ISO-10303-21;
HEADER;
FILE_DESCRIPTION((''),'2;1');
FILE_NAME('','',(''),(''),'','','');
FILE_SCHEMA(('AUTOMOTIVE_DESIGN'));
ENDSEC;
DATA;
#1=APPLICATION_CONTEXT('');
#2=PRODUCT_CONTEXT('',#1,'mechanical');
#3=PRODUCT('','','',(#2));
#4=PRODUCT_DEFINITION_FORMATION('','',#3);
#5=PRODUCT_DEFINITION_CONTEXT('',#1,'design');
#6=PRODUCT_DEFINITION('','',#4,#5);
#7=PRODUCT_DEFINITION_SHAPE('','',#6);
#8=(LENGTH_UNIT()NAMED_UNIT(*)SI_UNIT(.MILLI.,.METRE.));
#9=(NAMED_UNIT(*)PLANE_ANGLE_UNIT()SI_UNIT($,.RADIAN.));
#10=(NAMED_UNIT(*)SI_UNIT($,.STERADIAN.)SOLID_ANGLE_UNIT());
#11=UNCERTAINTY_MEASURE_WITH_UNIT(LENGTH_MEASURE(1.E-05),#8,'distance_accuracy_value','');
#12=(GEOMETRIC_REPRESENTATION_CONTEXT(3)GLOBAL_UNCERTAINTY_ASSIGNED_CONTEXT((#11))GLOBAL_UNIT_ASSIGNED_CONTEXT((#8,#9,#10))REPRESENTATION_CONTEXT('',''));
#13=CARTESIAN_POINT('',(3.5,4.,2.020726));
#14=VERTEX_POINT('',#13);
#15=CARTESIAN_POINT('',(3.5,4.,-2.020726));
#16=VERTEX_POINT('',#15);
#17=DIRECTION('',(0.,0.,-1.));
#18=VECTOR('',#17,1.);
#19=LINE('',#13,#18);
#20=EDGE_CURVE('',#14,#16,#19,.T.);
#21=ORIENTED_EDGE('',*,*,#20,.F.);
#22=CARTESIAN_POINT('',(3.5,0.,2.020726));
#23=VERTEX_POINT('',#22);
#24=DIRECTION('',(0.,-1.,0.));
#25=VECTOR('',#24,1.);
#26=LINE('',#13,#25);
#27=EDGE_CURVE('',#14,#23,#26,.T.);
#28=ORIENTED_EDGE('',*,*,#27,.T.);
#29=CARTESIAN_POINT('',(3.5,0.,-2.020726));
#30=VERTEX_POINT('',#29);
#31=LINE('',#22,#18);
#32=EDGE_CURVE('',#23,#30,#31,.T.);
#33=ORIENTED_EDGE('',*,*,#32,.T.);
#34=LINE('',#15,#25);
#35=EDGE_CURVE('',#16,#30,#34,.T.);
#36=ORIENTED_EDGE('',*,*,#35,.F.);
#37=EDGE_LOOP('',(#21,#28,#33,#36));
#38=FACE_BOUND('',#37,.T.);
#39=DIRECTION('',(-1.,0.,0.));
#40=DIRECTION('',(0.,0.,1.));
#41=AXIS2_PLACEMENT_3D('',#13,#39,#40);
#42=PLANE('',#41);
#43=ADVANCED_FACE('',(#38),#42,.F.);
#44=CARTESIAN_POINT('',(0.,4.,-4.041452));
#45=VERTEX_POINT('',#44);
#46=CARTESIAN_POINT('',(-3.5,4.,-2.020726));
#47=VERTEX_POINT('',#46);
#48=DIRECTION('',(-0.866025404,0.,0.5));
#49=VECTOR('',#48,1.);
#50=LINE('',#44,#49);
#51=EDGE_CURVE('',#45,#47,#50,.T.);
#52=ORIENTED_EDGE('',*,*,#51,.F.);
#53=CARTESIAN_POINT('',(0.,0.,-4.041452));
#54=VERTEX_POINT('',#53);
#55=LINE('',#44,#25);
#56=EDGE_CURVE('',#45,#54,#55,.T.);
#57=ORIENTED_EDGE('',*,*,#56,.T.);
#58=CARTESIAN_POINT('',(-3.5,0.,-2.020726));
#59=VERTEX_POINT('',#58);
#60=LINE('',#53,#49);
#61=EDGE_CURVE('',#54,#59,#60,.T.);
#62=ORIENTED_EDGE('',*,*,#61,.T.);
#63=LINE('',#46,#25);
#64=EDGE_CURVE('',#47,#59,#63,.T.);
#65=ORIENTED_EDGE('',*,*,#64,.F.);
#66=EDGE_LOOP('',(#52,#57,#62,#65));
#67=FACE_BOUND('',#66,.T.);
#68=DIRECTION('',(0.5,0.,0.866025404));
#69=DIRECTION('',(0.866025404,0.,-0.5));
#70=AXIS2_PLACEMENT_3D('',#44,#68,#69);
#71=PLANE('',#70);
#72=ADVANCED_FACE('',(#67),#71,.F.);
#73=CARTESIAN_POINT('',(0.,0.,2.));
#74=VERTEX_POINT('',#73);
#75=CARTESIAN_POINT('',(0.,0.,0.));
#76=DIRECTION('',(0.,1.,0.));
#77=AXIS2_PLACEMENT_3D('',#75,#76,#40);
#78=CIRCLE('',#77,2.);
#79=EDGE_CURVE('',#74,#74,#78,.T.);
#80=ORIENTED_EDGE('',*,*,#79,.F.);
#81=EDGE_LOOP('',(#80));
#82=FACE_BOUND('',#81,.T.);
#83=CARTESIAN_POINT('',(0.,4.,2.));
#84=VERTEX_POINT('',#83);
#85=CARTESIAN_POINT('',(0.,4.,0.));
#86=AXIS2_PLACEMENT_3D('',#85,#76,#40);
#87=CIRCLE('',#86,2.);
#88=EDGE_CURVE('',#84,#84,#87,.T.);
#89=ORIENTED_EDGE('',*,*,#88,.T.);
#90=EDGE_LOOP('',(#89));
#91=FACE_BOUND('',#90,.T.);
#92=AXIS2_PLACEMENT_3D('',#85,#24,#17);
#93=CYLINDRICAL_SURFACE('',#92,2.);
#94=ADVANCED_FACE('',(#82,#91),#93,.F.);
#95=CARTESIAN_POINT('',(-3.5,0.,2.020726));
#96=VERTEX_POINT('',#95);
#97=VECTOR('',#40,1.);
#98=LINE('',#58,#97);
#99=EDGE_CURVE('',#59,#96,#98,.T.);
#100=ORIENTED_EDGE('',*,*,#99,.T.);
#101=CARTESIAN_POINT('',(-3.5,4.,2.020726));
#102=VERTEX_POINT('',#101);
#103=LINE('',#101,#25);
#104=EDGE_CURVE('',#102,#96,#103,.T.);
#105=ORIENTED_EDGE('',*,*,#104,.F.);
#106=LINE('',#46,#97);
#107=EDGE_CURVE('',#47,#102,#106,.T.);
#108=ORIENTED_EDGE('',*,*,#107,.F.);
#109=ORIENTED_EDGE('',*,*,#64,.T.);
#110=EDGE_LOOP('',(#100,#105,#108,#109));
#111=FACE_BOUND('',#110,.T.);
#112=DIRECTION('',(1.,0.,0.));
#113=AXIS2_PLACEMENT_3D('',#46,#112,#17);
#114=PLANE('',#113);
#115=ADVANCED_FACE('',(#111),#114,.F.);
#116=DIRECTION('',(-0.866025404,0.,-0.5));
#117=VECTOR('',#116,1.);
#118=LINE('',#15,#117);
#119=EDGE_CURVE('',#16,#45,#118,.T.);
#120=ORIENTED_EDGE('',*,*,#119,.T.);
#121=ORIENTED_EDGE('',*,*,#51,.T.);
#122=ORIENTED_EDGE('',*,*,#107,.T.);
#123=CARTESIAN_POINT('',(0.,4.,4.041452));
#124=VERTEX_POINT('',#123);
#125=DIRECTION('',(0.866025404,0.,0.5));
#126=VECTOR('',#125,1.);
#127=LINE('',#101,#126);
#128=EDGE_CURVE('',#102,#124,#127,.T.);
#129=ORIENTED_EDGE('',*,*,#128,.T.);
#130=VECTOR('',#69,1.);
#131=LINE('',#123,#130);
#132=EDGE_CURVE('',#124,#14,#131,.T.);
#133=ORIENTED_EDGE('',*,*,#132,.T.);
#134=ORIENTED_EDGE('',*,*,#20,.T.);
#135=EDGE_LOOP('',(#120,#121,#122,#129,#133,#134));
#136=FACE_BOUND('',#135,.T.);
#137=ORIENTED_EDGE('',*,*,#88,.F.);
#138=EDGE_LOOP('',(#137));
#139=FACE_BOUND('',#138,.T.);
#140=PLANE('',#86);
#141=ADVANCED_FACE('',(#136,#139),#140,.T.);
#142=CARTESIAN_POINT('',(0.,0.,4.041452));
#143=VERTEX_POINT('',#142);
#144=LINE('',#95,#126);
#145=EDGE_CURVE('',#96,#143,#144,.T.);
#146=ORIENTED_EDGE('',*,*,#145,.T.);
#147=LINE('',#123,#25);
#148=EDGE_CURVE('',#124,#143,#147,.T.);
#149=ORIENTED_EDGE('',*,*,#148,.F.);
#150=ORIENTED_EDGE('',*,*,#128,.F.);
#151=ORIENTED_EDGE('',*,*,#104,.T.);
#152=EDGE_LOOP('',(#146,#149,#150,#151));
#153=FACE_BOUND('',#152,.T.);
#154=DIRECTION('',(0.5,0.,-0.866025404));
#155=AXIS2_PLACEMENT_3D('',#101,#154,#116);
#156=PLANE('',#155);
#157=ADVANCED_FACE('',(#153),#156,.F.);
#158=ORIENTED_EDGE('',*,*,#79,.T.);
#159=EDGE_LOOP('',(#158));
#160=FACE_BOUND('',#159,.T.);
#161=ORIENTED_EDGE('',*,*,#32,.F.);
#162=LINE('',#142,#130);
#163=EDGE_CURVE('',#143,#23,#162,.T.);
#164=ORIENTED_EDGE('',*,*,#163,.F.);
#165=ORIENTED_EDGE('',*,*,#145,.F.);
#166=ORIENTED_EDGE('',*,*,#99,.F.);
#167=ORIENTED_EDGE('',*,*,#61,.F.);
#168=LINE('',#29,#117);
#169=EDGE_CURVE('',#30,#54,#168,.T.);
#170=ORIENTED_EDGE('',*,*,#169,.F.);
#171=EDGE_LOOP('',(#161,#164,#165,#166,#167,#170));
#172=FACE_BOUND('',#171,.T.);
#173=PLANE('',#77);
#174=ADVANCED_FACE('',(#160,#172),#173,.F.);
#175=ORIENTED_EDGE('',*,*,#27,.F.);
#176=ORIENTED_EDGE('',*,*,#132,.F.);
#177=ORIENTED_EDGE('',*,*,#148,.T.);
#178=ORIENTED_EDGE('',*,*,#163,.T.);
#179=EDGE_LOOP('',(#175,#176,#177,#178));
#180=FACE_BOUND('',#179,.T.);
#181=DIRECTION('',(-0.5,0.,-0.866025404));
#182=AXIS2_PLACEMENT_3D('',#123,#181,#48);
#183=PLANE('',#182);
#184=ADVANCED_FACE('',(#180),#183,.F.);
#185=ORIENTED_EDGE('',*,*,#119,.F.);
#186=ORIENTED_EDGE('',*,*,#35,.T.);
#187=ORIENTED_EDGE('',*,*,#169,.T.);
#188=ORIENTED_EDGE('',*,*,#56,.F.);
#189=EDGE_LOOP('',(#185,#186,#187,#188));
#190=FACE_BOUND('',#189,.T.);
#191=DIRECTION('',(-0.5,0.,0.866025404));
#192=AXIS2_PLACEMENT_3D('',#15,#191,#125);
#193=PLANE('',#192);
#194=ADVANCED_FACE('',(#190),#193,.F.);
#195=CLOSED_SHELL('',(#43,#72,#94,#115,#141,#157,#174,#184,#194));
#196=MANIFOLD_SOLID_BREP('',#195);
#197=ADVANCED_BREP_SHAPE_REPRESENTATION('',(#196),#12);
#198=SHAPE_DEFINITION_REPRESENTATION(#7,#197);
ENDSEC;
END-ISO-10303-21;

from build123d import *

# Parameters (mm, degrees)
SKETCH1_R           = 2
BOSS_EXTRUDE1_DEPTH = 4


with BuildPart() as part:
    # Sketch1 → Boss-Extrude1 (new body)
    with BuildSketch(Plane(origin=(0, 0, 0), x_dir=(1, 0, 0), z_dir=(0, 1, 0))):
        Polygon((0, -4.041451884), (3.5, -2.020725942), (3.5, 2.020725942), (0, 4.041451884), (-3.5, 2.020725942), (-3.5, -2.020725942), align=None)
        Circle(SKETCH1_R, mode=Mode.SUBTRACT)
    extrude(amount=BOSS_EXTRUDE1_DEPTH)


solid = part.part
